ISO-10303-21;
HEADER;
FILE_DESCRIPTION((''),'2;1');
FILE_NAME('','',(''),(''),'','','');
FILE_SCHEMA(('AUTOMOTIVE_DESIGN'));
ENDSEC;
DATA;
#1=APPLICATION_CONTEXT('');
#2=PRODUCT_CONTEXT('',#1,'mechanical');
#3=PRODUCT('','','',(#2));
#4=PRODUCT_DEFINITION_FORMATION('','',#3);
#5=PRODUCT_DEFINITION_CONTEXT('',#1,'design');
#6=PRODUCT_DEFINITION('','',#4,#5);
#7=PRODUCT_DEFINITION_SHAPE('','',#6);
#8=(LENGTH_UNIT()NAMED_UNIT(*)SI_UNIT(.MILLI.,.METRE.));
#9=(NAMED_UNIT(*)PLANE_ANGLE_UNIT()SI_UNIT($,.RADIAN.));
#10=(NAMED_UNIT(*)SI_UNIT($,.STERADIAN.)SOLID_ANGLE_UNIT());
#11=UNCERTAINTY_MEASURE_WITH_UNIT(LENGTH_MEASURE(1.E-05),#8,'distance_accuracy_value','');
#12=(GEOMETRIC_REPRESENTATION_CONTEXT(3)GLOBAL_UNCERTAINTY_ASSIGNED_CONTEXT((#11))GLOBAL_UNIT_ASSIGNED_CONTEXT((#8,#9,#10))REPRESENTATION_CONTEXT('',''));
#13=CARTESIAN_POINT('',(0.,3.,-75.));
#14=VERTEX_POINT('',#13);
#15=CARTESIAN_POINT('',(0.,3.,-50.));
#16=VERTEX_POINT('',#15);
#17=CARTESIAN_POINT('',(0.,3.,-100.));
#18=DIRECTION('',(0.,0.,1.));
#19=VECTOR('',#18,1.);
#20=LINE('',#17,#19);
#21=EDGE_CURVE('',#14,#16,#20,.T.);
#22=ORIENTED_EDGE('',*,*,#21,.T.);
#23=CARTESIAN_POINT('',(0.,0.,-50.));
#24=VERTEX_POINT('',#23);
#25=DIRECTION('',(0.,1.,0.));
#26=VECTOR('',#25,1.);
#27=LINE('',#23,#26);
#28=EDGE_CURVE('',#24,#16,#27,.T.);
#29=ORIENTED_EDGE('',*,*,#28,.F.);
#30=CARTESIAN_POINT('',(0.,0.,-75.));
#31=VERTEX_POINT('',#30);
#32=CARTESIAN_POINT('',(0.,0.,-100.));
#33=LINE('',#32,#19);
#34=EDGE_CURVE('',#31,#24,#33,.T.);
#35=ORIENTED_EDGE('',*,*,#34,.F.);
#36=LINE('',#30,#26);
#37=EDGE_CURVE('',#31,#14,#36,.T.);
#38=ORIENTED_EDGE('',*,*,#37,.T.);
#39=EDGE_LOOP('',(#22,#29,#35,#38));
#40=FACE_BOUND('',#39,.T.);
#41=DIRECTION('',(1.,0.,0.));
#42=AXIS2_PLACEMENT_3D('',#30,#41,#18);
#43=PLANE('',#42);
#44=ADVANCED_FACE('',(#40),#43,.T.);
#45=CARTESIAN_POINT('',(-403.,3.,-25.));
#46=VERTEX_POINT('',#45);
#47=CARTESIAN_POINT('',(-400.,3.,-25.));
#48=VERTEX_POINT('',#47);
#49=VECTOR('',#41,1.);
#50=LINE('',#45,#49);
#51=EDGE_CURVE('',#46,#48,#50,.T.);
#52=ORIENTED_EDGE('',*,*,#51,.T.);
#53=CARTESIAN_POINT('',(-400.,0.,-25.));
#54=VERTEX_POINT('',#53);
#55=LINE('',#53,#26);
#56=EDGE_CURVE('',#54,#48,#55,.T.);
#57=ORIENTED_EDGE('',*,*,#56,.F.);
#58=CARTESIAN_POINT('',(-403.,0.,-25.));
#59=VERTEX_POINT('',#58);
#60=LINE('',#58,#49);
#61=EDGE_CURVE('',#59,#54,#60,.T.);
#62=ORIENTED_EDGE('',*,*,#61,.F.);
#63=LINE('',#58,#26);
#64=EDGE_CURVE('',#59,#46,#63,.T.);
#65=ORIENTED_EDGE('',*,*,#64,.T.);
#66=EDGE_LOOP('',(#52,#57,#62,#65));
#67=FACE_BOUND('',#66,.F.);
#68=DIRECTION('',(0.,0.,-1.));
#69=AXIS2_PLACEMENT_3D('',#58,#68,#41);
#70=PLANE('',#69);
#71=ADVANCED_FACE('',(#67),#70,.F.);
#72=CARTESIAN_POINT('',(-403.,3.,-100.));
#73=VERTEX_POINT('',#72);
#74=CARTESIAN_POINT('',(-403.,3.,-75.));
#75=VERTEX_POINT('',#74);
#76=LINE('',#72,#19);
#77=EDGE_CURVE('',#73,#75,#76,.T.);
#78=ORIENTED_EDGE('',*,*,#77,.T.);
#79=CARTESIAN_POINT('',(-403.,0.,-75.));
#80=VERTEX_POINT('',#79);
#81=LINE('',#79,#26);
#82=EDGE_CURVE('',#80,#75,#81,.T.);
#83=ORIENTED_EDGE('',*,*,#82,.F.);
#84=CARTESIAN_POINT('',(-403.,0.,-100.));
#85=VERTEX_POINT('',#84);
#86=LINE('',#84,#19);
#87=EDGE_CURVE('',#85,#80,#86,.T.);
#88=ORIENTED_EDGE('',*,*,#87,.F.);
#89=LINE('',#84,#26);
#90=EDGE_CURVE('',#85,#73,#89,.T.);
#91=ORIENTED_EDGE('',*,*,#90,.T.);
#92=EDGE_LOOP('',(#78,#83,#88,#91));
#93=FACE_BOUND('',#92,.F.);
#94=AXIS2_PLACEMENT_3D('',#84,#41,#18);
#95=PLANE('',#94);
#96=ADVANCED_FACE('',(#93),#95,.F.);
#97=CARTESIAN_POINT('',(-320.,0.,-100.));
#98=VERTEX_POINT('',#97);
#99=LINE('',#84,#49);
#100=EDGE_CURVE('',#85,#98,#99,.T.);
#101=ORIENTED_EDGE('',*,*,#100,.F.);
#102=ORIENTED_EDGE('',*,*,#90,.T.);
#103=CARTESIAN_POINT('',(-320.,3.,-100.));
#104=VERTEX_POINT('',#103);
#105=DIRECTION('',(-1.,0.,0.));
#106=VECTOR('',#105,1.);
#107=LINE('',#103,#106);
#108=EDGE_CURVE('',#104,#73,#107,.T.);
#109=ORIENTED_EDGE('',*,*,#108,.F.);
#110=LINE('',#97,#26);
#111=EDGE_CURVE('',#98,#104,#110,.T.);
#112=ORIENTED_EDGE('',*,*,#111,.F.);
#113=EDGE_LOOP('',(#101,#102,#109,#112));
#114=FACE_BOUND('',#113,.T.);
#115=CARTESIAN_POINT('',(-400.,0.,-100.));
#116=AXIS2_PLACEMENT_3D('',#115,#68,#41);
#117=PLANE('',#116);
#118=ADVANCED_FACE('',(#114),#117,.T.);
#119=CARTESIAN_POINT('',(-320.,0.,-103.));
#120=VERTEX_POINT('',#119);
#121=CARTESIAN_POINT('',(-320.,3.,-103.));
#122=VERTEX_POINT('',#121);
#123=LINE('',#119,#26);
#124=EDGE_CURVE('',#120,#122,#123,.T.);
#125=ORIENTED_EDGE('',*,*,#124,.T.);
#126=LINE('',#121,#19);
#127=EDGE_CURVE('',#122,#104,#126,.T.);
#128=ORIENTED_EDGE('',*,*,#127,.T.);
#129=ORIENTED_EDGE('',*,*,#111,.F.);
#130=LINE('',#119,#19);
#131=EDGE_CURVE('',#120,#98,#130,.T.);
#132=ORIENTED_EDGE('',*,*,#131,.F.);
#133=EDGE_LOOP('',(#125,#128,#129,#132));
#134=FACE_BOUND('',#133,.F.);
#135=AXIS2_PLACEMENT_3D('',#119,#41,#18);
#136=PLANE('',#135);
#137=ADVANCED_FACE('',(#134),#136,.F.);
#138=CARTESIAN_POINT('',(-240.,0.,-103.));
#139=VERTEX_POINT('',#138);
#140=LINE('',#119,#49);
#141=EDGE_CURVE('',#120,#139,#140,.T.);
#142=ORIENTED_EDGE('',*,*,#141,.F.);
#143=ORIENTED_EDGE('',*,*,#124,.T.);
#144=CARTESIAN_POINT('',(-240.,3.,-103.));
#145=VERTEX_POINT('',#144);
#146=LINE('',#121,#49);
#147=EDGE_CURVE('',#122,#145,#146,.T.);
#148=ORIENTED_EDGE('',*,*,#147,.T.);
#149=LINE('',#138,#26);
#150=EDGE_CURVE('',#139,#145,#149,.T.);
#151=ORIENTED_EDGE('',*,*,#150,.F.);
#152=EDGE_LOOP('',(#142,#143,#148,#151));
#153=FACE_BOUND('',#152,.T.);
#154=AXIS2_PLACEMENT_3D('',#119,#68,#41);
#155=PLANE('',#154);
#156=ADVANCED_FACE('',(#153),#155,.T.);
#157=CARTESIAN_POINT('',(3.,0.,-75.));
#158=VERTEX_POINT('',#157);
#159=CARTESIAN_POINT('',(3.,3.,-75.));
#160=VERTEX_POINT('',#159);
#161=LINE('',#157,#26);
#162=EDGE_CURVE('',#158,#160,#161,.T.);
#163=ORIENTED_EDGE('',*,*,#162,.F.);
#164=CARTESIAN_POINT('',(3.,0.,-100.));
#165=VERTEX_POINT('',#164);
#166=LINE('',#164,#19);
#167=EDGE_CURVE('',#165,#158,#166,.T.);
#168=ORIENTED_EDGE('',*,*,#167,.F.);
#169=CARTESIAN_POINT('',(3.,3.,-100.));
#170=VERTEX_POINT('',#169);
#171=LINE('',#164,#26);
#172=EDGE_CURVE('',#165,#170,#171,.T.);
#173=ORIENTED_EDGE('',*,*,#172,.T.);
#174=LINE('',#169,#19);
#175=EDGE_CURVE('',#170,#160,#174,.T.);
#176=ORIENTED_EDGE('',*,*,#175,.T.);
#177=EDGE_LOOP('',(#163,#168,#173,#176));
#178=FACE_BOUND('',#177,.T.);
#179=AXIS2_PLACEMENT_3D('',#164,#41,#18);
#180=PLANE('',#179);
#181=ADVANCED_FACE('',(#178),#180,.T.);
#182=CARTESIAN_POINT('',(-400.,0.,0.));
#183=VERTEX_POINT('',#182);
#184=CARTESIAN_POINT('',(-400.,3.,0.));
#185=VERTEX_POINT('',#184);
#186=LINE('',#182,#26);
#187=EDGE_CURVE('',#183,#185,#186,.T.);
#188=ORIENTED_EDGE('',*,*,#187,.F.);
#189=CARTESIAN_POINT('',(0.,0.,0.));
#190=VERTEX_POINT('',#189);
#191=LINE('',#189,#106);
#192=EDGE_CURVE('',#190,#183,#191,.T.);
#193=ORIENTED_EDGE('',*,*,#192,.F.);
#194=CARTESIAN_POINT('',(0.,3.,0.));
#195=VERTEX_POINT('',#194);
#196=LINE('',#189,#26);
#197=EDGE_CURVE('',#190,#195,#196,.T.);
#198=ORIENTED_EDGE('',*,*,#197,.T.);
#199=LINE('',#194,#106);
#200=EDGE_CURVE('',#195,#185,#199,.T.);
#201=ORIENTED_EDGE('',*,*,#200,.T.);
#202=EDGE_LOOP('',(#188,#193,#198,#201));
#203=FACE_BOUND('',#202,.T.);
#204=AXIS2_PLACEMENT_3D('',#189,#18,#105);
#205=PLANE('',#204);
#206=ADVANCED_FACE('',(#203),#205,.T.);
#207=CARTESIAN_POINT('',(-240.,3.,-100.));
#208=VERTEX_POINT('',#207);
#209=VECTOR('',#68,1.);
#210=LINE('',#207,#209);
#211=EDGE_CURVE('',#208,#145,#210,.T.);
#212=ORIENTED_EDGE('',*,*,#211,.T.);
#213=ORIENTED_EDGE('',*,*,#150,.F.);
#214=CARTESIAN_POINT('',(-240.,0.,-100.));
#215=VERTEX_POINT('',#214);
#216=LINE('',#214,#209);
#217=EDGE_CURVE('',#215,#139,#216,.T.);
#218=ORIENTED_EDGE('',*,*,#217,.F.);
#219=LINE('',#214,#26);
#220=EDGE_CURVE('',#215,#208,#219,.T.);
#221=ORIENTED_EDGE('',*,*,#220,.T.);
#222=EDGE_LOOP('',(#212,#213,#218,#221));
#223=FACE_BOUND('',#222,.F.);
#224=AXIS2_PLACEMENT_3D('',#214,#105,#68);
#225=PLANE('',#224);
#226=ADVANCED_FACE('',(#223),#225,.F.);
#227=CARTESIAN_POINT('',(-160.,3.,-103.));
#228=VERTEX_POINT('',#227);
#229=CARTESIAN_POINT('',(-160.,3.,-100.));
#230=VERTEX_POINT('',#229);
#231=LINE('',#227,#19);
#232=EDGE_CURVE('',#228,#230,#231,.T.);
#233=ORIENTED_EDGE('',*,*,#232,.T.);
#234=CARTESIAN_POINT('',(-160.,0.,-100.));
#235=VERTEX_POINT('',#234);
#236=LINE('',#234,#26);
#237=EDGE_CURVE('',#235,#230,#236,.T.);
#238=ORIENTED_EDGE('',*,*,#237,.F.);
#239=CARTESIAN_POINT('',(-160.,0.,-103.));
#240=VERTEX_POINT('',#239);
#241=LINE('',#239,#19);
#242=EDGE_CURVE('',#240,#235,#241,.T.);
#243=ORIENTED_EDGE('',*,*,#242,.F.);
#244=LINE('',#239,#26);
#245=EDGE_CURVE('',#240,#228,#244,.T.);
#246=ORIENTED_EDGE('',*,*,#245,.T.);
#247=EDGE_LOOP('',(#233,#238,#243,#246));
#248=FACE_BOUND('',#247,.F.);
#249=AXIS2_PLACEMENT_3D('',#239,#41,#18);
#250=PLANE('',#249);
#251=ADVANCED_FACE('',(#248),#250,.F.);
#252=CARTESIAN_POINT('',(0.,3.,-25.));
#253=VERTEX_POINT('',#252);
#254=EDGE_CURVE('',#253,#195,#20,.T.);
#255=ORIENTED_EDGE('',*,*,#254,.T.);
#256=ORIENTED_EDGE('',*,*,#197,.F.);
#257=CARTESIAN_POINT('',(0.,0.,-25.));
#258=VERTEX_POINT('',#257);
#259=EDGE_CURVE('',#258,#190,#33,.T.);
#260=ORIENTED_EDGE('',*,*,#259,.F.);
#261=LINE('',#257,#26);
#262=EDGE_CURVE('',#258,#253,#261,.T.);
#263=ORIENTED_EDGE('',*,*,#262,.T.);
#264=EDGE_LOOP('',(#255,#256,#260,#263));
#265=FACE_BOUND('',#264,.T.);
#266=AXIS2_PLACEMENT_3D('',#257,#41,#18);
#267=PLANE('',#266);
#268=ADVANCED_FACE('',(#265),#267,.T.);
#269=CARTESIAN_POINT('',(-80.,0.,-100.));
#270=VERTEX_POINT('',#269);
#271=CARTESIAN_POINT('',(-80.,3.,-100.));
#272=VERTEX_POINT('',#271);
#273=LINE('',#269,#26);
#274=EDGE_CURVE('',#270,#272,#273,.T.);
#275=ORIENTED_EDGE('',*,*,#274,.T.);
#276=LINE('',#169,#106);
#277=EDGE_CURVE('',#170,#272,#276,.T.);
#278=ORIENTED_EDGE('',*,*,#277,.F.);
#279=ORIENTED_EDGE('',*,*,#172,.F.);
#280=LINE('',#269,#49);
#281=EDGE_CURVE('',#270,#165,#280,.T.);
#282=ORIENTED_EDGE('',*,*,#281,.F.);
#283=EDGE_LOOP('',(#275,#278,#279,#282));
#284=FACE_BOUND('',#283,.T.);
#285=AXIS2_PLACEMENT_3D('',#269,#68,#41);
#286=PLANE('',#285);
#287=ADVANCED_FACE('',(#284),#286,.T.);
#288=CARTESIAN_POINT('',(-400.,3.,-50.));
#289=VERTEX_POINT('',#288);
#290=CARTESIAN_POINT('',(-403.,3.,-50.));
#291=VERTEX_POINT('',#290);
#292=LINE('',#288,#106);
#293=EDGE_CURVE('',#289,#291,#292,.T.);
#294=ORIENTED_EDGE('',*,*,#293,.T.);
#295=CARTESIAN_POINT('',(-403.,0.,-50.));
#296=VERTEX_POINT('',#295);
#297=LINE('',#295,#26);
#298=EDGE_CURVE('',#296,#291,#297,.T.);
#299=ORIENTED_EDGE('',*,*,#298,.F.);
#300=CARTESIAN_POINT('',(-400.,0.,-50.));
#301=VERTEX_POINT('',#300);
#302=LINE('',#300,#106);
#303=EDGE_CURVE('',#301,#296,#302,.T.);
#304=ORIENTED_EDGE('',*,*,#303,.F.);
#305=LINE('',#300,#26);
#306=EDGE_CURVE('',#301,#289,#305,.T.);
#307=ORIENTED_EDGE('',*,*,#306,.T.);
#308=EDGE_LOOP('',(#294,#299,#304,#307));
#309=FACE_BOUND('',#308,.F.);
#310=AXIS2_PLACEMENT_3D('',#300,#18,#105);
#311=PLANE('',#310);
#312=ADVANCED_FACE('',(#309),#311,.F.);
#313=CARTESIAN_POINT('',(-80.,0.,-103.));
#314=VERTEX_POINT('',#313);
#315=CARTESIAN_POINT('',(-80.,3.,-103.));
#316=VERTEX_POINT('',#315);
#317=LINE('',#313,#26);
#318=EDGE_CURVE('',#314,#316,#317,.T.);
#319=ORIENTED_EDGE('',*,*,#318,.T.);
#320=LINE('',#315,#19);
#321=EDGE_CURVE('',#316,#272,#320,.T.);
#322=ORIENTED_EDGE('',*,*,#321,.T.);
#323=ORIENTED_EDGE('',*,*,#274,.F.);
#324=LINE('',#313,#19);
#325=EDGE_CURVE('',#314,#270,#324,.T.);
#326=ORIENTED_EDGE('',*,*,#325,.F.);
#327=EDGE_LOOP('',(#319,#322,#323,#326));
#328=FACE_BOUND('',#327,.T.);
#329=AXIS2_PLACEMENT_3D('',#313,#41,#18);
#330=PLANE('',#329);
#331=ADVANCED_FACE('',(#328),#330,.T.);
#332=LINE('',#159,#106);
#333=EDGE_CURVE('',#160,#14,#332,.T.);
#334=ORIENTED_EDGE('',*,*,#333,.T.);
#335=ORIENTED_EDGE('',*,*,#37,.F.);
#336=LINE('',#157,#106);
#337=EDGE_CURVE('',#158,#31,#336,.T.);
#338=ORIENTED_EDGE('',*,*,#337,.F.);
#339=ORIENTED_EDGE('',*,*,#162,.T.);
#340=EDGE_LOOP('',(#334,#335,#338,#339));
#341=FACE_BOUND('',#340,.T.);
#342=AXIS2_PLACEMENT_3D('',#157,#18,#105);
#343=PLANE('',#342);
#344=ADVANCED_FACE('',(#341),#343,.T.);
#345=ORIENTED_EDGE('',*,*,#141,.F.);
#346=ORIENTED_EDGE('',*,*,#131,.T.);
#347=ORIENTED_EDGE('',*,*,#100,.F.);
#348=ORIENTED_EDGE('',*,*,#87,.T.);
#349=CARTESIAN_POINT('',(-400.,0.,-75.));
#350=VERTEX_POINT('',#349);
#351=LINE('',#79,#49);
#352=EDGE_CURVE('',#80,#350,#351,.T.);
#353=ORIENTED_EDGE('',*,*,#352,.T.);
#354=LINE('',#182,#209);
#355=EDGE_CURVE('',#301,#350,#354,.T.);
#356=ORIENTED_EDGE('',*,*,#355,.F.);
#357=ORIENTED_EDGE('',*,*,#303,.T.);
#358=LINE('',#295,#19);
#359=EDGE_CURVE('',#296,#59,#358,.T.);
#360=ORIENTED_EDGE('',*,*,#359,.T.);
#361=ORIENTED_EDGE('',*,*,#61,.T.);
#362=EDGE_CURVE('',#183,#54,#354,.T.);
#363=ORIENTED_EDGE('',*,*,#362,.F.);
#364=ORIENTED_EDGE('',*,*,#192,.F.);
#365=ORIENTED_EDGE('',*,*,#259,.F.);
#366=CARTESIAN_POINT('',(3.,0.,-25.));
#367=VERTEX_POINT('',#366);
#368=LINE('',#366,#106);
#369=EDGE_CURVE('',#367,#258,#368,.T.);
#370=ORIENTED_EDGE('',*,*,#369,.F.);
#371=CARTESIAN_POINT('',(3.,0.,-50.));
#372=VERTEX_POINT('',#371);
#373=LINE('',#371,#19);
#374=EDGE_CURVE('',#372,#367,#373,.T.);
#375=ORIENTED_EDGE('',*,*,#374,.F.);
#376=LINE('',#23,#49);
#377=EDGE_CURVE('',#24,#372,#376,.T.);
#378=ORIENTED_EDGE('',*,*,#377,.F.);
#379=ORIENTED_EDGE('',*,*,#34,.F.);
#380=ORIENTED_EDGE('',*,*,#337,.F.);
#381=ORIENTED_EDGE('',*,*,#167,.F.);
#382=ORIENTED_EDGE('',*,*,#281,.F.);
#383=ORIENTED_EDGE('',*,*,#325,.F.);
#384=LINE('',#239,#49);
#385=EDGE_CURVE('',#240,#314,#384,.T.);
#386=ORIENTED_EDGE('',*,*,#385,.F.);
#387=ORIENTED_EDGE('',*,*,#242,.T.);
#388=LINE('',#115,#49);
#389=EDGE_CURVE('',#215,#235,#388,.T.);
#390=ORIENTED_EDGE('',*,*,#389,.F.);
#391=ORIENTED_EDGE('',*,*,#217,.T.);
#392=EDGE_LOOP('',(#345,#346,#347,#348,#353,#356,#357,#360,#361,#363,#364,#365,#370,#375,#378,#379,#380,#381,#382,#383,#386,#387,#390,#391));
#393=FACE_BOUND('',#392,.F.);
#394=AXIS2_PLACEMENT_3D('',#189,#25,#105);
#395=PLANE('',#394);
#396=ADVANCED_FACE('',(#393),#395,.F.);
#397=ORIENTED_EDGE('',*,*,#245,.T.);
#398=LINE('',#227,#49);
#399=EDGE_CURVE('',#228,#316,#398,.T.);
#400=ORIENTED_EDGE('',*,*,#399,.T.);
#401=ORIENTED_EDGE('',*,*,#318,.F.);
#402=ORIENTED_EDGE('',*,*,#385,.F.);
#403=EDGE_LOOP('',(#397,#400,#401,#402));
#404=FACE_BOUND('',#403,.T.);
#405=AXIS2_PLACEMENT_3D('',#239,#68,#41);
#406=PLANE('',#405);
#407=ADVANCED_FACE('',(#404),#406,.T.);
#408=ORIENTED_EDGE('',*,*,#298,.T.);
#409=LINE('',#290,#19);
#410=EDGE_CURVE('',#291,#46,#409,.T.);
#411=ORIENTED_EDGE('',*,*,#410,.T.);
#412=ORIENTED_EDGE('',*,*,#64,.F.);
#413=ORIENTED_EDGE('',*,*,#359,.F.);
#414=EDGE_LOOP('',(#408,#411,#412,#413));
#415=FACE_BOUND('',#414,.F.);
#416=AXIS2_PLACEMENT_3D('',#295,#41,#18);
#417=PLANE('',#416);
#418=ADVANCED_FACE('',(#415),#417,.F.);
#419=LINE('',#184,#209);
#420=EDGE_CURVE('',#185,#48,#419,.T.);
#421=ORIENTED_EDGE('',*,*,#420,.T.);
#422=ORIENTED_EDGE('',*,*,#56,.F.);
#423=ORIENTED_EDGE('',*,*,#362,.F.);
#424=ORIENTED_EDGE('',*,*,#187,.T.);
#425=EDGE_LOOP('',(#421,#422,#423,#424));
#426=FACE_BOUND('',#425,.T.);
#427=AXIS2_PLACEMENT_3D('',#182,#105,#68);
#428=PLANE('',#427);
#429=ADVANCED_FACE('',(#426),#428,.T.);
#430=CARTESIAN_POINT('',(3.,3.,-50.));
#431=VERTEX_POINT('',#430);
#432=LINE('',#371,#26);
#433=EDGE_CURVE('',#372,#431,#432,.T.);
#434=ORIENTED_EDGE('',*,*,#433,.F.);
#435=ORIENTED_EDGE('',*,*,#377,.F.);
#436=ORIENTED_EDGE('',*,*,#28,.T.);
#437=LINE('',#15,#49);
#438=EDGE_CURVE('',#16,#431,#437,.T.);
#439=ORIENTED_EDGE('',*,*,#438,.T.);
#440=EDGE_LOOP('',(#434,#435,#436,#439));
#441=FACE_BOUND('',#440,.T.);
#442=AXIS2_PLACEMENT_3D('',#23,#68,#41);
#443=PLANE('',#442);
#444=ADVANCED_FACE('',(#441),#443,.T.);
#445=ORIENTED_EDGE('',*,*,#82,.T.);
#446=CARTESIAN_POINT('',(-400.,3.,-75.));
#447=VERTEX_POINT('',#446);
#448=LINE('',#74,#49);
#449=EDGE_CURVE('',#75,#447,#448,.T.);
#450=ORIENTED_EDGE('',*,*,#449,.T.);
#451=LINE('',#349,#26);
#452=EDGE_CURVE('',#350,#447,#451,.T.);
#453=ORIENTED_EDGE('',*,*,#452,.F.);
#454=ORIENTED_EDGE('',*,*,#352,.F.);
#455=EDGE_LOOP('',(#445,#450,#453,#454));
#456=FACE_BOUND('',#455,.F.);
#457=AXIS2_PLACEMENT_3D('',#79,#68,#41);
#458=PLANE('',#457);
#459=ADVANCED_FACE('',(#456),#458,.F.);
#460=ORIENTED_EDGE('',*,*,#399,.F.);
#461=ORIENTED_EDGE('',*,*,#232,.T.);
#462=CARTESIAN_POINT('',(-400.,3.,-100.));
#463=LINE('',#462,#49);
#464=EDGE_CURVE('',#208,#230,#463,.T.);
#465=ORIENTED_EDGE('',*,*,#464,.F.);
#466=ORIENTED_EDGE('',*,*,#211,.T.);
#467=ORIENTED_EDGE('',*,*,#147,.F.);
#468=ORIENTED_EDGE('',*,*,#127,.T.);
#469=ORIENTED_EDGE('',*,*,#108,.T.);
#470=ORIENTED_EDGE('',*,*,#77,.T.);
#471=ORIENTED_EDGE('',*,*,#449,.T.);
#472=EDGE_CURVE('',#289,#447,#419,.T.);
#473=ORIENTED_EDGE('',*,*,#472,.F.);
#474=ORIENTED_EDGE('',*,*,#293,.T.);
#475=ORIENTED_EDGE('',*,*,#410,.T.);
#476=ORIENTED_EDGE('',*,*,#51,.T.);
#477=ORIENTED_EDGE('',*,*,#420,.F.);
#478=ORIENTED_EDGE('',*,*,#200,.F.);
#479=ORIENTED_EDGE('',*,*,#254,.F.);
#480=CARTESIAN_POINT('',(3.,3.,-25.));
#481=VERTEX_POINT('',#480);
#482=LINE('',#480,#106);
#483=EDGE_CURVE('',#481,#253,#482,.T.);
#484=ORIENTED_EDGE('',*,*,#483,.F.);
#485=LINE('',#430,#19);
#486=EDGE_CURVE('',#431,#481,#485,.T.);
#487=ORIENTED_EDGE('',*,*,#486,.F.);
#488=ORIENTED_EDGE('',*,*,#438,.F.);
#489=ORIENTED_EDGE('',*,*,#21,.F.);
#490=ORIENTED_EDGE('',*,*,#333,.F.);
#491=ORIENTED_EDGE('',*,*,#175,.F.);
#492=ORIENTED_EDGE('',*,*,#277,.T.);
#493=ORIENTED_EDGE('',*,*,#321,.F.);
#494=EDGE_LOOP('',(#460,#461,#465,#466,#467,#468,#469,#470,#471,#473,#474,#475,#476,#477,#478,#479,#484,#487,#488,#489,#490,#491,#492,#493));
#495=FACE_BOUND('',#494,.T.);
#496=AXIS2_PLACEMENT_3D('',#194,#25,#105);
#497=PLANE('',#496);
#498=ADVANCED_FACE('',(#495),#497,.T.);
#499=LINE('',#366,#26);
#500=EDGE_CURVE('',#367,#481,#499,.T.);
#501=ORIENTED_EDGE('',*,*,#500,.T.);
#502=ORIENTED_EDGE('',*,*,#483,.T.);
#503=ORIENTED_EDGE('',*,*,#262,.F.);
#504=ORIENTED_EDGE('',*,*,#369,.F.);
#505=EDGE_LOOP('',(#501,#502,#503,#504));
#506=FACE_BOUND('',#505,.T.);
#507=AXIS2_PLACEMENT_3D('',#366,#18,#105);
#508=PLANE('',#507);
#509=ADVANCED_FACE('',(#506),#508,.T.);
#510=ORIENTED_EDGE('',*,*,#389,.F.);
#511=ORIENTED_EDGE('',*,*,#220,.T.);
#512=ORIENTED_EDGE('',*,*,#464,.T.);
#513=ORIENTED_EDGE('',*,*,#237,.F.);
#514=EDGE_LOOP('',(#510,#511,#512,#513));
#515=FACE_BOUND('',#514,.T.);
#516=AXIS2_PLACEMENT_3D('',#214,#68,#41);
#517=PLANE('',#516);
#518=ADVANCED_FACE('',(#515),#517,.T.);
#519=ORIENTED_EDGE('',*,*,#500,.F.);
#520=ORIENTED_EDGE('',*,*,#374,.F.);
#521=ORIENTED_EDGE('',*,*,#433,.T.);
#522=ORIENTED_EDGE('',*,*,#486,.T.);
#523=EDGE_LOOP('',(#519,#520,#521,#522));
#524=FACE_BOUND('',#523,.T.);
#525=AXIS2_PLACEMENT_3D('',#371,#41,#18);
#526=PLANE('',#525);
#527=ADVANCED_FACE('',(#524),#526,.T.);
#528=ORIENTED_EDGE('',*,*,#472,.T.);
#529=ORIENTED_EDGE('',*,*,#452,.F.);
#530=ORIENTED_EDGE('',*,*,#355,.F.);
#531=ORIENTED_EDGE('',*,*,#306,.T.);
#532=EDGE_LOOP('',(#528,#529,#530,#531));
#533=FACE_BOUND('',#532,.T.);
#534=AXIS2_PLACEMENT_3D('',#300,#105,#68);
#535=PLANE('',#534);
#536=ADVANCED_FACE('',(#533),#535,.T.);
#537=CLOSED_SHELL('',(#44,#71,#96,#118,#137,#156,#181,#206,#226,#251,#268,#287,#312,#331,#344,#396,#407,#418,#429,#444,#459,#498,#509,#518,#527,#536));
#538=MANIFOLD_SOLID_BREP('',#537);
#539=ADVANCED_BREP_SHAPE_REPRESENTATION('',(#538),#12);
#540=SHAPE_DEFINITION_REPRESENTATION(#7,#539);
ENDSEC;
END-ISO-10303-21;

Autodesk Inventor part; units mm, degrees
ref_plane "YZ Plane" through (0, 0, 0) normal (1, 0, 0) x (0, 1, 0)
ref_plane "XZ Plane" through (0, 0, 0) normal (0, 1, 0) x (-1, 0, 0)
ref_plane "XY Plane" through (0, 0, 0) normal (0, 0, 1) x (1, 0, 0)
sketch "Sketch1" plane through (0, 0, 0) normal (0, 1, 0) x (-1, 0, 0)
  line L0 (0, 0) -> (400, 0)
  line L1 (400, 0) -> (400, -100)
  line L2 (400, -100) -> (0, -100)
  line L3 (0, -100) -> (0, 0)
  line L4 (320, -103) -> (320, -100)
  line L5 (80, -103) -> (80, -100)
  line L6 (240, -100) -> (240, -103)
  line L7 (160, -103) -> (160, -100)
  line L8 (400, -25) -> (400, -50)
  line L9 (400, -50) -> (403, -50)
  line L10 (200, 0) -> (200, -100) construction
  line L11 (0, 0) -> (0, -100)
  line L12 (-3, -25) -> (0, -25)
  line L13 (0, -25) -> (0, -50)
  line L14 (0, -50) -> (-3, -50)
  line L15 (-3, -75) -> (0, -75)
  line L16 (320, -103) -> (240, -103)
  line L17 (160, -103) -> (80, -103)
  line L18 (0, -100) -> (-3, -100)
  line L19 (-3, -100) -> (-3, -75)
  line L20 (-3, -50) -> (-3, -25)
  line L21 (400, 0) -> (0, 0)
  line L22 (400, -100) -> (400, 0)
  line L23 (403, -75) -> (400, -75)
  line L24 (400, -50) -> (403, -50)
  line L25 (400, -25) -> (400, -50)
  line L26 (403, -25) -> (400, -25)
  line L27 (400, 0) -> (400, -100)
  line L28 (403, -100) -> (403, -75)
  line L29 (403, -50) -> (403, -25)
  line L30 (403, -100) -> (400, -100)
  dimension "d0" = 400
  dimension "d1" = 100
  dimension "d7" = 3
  dimension "d8" = 80
  dimension "d11" = 25
  dimension "d12" = 3
extrude "Extrusion1" add sketch "Sketch1" along normal blind 3
properties part number "Lateral sup e inf"
